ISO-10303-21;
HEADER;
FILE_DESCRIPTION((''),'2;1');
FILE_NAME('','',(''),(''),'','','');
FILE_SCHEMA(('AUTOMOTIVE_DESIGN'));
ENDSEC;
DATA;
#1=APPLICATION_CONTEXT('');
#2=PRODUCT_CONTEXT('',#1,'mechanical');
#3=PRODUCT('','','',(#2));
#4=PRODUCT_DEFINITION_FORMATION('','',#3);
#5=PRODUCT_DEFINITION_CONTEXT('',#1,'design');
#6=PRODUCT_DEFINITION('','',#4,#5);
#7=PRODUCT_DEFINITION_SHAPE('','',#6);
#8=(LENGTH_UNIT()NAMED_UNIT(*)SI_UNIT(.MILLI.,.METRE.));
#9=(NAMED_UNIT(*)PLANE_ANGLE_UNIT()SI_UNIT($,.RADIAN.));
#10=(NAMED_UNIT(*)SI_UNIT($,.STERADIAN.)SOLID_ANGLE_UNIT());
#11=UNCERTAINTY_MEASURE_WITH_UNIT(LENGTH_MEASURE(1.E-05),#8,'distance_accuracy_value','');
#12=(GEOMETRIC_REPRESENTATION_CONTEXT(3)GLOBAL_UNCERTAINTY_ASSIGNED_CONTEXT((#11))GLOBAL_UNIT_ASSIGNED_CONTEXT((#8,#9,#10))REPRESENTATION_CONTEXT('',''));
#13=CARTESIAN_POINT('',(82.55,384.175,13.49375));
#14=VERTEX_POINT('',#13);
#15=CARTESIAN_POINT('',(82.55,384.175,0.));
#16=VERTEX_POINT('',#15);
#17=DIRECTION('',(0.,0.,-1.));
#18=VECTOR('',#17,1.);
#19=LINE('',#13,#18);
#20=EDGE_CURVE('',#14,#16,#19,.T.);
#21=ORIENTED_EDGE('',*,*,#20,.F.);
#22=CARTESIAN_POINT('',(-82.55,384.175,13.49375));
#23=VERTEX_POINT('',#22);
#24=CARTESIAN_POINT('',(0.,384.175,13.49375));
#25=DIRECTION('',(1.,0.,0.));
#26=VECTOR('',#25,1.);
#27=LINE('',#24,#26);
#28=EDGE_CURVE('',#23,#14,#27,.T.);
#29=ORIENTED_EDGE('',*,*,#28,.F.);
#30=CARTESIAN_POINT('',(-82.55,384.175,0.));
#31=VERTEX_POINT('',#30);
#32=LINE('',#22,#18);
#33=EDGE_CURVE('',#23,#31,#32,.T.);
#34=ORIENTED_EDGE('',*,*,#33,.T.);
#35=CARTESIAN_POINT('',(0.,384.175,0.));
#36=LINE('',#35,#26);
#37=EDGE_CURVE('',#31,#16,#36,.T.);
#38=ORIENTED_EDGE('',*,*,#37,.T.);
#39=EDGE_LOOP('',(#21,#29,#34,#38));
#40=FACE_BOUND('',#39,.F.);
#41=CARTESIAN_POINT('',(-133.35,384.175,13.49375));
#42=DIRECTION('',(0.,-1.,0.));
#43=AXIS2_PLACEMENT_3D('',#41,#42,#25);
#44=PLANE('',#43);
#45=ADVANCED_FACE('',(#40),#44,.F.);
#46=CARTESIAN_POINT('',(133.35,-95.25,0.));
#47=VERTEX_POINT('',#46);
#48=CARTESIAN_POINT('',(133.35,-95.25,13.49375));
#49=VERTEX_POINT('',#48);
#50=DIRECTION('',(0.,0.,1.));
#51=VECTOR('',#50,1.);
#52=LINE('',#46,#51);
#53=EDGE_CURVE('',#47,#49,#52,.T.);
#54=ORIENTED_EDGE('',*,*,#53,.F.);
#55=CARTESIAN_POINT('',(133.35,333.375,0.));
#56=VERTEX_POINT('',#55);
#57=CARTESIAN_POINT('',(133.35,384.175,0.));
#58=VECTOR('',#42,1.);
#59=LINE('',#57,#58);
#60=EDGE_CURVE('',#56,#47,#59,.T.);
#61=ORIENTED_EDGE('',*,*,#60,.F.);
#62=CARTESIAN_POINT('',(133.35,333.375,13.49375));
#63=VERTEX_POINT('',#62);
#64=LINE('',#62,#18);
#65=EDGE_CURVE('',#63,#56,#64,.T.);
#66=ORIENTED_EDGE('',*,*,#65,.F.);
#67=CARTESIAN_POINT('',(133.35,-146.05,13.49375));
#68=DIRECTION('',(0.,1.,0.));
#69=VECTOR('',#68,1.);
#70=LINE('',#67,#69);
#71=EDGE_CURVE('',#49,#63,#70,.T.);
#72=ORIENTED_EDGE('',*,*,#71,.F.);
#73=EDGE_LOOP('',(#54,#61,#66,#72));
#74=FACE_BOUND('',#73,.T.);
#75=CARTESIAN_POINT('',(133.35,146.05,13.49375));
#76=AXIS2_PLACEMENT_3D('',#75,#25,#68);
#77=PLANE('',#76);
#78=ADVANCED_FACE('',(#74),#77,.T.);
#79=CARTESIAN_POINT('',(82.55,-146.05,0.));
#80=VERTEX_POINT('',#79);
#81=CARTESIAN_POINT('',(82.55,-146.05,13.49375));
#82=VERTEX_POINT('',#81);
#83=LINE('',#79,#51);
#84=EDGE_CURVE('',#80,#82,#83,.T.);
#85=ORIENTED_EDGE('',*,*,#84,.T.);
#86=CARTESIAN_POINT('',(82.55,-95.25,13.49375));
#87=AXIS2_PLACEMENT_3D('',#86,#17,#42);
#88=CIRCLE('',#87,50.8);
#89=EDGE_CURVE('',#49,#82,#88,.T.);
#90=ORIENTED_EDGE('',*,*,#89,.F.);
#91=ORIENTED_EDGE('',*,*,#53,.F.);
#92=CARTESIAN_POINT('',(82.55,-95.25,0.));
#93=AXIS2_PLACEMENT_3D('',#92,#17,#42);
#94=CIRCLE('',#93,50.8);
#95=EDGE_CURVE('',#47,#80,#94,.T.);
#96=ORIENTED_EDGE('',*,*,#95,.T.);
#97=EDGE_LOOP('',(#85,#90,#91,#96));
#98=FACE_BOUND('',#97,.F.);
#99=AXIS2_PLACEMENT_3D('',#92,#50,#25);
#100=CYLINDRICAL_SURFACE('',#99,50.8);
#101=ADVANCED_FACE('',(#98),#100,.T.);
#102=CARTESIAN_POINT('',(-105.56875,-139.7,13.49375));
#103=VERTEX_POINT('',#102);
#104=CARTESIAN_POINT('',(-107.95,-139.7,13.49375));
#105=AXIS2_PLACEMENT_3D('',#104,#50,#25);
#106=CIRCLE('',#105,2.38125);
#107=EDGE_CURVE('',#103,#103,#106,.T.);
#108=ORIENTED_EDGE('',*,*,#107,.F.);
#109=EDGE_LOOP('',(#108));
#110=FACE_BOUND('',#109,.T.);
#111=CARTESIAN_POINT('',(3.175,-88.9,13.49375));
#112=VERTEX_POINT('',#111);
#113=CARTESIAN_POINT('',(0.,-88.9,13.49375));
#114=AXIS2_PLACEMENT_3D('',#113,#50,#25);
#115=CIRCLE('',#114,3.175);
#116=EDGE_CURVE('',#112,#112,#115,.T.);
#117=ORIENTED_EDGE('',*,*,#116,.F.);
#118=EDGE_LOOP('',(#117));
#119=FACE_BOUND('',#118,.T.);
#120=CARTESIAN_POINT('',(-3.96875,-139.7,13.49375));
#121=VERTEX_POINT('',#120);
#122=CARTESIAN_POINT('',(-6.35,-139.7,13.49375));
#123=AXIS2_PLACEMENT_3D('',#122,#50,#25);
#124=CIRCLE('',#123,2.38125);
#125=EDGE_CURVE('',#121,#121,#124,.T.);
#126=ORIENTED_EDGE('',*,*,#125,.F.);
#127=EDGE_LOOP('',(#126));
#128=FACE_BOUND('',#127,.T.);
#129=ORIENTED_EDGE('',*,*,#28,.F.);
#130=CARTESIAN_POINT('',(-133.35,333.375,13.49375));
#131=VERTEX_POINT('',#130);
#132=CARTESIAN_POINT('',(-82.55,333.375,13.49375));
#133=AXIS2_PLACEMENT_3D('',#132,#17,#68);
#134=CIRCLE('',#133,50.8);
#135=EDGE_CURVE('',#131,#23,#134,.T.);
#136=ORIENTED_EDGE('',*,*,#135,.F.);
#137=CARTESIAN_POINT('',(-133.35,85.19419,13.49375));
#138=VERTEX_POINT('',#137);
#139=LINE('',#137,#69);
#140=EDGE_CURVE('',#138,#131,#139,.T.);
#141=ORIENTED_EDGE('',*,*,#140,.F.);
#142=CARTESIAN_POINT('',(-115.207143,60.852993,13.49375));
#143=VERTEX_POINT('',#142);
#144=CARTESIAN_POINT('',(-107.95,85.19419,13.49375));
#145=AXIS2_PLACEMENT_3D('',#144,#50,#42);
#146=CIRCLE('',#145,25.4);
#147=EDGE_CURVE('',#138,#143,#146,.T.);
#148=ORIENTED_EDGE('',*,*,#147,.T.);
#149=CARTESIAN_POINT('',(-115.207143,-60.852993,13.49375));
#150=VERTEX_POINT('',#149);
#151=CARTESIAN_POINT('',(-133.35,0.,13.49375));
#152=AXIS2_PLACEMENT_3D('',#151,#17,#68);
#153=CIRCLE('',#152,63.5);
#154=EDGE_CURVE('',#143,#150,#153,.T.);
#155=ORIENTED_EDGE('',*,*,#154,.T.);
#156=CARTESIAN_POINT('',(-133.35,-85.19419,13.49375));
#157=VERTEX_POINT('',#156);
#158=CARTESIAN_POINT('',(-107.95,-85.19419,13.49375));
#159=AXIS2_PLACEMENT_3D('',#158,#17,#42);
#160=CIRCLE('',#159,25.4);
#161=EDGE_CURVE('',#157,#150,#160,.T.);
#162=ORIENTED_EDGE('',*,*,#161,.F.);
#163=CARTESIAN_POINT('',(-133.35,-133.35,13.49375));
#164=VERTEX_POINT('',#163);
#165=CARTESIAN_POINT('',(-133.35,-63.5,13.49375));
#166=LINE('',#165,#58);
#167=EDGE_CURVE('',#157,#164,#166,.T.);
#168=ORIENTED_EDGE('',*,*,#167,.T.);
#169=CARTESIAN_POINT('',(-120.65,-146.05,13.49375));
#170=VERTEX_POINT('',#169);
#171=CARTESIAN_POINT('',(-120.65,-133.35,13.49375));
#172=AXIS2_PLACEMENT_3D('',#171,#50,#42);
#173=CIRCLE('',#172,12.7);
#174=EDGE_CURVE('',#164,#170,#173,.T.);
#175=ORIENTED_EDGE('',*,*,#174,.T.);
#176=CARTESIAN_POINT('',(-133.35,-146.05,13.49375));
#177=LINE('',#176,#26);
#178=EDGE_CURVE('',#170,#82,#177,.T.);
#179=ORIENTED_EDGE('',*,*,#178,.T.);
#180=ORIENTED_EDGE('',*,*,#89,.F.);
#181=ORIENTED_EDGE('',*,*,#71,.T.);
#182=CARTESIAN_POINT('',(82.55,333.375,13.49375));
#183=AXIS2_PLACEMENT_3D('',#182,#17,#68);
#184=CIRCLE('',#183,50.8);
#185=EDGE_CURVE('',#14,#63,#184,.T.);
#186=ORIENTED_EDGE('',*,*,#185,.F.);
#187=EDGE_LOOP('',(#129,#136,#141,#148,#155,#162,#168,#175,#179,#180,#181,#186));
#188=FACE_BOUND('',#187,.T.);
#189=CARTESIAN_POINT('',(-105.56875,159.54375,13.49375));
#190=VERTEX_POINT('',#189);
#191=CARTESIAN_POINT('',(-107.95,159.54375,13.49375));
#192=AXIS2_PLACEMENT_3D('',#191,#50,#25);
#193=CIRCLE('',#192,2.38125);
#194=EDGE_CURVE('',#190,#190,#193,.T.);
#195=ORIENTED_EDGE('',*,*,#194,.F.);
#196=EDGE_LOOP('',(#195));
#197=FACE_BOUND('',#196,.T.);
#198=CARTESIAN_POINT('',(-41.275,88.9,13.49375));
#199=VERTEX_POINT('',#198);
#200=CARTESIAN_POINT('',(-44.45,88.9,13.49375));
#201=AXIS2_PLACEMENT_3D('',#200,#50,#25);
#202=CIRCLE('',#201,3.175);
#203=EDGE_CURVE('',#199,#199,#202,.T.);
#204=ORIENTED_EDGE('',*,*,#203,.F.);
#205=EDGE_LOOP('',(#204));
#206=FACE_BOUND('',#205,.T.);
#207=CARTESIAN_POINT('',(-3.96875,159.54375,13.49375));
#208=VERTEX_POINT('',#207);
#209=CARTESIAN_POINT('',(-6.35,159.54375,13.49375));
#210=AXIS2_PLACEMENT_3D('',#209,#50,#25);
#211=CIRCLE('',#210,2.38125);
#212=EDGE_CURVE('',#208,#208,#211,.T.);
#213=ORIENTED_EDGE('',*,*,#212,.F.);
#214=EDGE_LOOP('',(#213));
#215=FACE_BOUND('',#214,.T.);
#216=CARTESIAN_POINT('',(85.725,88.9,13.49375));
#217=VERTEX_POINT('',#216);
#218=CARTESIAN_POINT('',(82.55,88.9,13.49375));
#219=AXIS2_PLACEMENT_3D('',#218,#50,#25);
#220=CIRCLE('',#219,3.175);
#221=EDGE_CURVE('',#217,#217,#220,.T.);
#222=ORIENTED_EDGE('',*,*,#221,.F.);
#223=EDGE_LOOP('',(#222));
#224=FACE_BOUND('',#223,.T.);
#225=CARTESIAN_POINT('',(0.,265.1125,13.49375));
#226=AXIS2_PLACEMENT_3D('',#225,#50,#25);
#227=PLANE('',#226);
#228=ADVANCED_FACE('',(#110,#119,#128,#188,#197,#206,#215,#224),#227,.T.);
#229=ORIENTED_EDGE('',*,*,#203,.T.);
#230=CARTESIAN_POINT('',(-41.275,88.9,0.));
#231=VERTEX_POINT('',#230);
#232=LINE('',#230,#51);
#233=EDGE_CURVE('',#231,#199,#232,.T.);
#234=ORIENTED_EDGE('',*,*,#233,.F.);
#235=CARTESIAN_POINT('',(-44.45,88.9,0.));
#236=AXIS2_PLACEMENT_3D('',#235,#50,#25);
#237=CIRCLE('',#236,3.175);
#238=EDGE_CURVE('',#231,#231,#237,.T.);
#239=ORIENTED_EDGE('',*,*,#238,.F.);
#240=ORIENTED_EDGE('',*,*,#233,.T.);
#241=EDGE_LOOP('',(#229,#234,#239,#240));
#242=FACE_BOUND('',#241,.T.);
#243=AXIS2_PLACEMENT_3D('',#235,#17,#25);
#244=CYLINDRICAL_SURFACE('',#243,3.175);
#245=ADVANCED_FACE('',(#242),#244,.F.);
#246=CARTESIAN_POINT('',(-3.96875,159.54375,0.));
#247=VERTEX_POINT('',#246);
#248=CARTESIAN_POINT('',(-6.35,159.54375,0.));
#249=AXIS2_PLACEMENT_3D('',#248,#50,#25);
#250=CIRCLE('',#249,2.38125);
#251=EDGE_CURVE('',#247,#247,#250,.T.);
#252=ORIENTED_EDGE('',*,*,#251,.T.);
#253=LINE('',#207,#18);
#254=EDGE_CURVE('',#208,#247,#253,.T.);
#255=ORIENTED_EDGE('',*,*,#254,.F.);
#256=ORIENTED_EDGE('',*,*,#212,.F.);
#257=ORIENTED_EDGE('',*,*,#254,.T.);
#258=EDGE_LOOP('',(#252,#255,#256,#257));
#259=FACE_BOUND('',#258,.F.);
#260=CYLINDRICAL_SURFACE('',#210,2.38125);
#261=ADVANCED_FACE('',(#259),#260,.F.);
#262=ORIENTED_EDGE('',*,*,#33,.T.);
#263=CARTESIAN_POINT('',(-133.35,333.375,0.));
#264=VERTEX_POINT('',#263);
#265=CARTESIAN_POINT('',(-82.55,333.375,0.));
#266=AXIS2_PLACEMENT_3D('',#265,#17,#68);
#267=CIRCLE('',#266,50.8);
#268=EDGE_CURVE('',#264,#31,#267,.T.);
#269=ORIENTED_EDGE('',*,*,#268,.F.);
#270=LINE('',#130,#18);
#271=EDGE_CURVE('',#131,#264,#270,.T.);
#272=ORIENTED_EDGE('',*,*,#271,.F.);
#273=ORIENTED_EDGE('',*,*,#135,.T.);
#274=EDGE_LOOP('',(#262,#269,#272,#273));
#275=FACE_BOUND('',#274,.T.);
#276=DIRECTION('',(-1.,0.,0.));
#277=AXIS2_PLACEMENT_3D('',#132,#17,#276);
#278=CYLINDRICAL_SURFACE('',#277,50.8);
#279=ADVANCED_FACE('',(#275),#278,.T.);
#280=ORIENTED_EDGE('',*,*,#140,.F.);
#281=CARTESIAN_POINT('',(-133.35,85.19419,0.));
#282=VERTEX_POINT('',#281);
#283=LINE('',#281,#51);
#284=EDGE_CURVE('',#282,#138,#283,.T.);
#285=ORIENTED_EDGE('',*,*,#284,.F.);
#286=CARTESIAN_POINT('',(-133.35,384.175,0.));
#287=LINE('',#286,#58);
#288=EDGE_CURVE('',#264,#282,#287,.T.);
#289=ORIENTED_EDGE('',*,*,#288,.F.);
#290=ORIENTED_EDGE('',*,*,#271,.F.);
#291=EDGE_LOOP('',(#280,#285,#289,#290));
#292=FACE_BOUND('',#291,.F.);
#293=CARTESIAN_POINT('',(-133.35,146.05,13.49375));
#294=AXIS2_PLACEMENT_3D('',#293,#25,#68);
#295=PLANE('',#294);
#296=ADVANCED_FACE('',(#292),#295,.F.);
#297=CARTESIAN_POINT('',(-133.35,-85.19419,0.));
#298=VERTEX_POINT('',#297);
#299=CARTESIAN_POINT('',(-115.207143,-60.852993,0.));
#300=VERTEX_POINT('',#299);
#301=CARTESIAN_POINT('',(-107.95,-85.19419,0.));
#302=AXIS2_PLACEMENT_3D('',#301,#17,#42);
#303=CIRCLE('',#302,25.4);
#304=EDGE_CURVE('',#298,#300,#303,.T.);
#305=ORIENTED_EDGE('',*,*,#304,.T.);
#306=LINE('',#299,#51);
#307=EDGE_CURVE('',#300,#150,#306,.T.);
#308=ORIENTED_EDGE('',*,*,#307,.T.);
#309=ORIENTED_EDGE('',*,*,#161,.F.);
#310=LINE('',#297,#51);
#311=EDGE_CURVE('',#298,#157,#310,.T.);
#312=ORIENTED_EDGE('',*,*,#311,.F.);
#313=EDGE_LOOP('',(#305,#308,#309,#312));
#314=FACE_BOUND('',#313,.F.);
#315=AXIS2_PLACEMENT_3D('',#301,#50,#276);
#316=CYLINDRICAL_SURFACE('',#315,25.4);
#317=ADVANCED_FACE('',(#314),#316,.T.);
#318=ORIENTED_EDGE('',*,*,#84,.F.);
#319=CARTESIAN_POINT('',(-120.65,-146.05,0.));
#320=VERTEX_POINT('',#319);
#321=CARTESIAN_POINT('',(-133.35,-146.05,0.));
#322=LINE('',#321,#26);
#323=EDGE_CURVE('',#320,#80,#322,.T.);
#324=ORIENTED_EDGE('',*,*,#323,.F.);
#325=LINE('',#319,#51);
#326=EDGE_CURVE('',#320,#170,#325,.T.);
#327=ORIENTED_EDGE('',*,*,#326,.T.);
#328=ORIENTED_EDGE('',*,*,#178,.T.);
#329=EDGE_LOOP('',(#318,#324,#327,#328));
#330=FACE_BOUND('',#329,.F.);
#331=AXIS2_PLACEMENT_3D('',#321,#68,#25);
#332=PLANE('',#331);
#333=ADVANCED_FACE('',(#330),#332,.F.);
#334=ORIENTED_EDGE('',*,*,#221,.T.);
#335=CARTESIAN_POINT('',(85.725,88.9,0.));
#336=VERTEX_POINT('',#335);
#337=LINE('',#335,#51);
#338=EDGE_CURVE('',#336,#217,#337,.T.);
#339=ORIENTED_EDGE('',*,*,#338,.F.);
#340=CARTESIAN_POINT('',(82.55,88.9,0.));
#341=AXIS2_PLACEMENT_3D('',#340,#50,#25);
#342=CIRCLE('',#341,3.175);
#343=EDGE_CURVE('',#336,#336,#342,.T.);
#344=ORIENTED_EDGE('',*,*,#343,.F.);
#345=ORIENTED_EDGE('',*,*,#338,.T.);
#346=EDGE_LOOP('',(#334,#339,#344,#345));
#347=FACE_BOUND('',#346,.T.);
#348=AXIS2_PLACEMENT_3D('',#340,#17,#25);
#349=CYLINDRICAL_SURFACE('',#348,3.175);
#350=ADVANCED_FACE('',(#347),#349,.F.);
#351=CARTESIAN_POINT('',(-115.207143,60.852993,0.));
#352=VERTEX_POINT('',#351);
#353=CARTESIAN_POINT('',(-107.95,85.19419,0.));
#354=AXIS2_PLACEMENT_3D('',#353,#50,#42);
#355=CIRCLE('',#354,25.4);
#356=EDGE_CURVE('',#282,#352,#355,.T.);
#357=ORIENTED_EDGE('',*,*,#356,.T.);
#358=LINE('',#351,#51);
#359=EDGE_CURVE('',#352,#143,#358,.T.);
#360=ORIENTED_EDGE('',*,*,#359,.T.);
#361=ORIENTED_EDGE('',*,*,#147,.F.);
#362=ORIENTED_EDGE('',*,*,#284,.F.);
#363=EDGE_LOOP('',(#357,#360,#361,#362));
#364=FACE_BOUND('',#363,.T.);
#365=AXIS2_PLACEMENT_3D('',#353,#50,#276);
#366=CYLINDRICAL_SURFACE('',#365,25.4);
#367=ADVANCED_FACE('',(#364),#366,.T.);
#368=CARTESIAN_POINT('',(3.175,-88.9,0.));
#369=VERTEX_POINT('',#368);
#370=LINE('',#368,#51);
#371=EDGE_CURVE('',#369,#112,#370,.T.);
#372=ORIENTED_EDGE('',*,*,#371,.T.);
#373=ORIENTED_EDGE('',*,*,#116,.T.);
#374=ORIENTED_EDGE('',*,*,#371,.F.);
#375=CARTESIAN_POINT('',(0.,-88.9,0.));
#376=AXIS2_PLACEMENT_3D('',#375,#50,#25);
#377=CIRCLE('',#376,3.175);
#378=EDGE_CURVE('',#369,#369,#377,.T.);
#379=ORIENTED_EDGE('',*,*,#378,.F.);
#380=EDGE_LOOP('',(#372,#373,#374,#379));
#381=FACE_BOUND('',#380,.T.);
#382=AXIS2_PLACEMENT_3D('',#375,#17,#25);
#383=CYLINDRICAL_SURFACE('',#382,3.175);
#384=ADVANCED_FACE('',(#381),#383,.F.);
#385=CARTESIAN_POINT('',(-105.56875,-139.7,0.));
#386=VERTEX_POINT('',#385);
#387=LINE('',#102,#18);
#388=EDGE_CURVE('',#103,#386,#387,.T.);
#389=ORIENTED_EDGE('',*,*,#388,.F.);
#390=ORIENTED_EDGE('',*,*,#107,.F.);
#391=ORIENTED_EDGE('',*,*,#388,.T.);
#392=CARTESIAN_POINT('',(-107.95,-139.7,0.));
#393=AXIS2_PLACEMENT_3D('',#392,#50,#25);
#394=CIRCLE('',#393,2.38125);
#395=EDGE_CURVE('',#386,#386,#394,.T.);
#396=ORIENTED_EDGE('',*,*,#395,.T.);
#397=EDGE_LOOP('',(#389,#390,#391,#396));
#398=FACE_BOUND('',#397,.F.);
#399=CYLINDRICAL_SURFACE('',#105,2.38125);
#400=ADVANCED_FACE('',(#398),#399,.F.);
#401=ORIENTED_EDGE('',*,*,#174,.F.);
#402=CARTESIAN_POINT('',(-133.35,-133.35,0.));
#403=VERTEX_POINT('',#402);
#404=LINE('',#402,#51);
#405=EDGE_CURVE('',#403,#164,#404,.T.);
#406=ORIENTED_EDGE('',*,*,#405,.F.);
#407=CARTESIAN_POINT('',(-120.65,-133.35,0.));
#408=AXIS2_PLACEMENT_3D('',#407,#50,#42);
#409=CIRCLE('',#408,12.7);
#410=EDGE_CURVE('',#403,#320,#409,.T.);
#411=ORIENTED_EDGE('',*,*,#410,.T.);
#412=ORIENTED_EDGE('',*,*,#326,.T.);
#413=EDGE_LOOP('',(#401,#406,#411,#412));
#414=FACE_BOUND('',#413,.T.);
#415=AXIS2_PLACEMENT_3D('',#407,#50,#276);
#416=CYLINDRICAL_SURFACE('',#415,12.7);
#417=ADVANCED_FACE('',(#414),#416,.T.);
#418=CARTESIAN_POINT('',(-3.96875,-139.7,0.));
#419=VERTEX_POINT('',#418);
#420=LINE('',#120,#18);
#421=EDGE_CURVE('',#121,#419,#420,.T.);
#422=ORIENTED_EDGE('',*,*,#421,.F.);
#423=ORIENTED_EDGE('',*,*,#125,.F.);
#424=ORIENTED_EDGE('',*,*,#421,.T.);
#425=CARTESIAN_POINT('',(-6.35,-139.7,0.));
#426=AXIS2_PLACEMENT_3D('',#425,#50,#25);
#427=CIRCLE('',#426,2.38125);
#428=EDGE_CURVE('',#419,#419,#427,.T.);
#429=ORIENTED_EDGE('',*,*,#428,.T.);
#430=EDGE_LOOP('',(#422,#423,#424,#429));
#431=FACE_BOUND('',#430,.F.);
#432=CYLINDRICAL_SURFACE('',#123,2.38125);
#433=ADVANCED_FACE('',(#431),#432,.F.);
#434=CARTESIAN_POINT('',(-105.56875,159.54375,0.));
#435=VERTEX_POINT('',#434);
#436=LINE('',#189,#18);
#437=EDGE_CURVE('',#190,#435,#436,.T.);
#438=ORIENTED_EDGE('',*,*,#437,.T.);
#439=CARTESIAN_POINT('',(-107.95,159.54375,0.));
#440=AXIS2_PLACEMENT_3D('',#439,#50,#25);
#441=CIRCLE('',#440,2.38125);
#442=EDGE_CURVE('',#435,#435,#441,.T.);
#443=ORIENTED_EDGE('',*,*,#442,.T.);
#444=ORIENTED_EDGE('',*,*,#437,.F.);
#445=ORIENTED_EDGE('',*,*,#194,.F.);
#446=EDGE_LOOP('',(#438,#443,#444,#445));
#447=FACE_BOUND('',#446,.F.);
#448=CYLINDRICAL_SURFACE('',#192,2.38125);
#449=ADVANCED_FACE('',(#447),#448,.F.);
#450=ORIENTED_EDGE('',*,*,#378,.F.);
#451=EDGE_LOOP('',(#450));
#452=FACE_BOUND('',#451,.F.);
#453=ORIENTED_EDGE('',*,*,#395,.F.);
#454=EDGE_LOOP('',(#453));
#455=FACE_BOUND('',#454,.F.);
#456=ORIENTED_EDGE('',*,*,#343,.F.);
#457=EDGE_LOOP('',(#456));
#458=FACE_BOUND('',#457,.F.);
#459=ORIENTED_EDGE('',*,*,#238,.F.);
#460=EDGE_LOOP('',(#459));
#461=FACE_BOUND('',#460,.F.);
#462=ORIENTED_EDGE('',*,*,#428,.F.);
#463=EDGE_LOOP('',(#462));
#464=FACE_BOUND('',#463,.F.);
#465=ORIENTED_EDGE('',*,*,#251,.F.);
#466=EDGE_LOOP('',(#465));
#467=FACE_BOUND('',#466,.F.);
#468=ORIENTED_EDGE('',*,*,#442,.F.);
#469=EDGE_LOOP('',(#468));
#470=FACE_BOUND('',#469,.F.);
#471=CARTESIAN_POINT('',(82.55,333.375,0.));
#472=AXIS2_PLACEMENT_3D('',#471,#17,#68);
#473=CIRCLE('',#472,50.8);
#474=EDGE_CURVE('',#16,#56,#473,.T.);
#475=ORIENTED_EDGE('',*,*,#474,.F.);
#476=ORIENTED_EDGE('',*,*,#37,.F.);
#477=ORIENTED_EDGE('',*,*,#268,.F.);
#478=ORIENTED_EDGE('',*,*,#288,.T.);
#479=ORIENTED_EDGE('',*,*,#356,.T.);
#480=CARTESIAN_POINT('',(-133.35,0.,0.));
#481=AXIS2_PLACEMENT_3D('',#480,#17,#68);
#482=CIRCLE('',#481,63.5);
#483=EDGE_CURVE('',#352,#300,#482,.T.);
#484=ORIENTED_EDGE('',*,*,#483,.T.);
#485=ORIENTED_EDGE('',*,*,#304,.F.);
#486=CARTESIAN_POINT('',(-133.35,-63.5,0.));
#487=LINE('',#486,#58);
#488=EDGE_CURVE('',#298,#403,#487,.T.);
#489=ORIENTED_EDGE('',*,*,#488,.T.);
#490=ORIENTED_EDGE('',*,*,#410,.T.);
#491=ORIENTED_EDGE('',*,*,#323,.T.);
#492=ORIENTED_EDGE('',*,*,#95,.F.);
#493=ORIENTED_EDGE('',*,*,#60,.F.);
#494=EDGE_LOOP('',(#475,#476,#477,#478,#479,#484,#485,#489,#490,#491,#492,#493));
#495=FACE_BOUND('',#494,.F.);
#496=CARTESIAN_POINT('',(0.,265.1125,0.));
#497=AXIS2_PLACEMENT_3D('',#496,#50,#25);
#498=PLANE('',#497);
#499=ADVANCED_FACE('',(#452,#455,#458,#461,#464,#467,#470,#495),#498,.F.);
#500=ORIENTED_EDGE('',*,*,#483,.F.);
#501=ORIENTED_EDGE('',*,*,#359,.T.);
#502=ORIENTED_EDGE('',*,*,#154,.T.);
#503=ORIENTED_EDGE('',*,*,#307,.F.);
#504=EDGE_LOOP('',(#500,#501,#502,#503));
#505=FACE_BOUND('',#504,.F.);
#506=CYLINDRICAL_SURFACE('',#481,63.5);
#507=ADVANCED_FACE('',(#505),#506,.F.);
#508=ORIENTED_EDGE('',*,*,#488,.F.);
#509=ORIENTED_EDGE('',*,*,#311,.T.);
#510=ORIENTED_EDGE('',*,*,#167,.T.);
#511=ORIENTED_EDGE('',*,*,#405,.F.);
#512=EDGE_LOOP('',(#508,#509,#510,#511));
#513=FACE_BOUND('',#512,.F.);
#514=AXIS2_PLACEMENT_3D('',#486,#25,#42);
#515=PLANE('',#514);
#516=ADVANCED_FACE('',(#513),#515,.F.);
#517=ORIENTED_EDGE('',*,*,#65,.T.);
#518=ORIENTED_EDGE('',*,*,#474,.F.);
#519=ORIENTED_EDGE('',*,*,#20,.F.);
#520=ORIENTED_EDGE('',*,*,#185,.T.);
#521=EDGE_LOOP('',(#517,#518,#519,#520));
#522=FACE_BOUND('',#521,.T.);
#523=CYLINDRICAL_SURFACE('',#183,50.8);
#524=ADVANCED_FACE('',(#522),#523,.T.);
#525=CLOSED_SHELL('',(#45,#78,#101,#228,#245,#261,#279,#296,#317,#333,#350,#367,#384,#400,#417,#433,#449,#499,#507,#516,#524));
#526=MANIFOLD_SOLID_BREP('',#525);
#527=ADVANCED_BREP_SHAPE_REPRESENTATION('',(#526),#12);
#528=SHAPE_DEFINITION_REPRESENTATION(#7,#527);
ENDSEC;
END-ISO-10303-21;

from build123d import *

# Parameters (mm, degrees)
F0_R     = 3.175
F1_DEPTH = 13.49375
F2_R     = 25.4
F4_W     = 266.7
F4_H     = 238.125
F5_DEPTH = 13.49375
F3_R     = 2.38125
F6_DEPTH = 13.49475
F7_R     = 50.8
F8_R     = 12.7


with BuildPart() as f1:
    # F0 (on Top) → F1 (new body)
    with BuildSketch(Plane.XY):
        with BuildLine():
            Line((133.35, -146.05), (133.35, 146.05))
            Line((133.35, 146.05), (-133.35, 146.05))
            Line((-133.35, 146.05), (-133.35, 63.5))
            ThreePointArc((-133.35, 63.5), (-69.85, 0), (-133.35, -63.5))
            Line((-133.35, -63.5), (-133.35, -146.05))
            Line((-133.35, -146.05), (133.35, -146.05))
        make_face()
        with Locations((0, -88.9)):
            Circle(F0_R, mode=Mode.SUBTRACT)
        with Locations((-44.45, 88.9)):
            Circle(F0_R, mode=Mode.SUBTRACT)
        with Locations((82.55, 88.9)):
            Circle(F0_R, mode=Mode.SUBTRACT)
    extrude(amount=F1_DEPTH)

    # F2
    f2_edges = [f1.edges().sort_by_distance(p)[0] for p in [
        (-133.35, -63.5, 6.746875),
        (-133.35, 63.5, 6.746875),
    ]]
    fillet(f2_edges, radius=F2_R)

    # F4 (on face) → F5 (join, through all)
    with BuildSketch(Plane.XY.offset(13.49375)):
        with Locations((0, 265.1125)):
            Rectangle(F4_W, F4_H)
    extrude(amount=-F5_DEPTH)

    # F3 (on face) → F6 (cut, through all)
    with BuildSketch(Plane.XY.offset(13.49375)):
        with Locations((-107.95, -139.7)):
            Circle(F3_R)
        with Locations((-6.35, -139.7)):
            Circle(F3_R)
        with Locations((-6.35, 159.54375)):
            Circle(F3_R)
        with Locations((-107.95, 159.54375)):
            Circle(F3_R)
    extrude(amount=-F6_DEPTH, mode=Mode.SUBTRACT)

    # F7
    f7_edges = [f1.edges().sort_by_distance(p)[0] for p in [
        (133.35, -146.05, 6.746875),
        (133.35, 384.175, 6.746875),
        (-133.35, 384.175, 6.746875),
    ]]
    fillet(f7_edges, radius=F7_R)

    # F8
    f8_edges = [f1.edges().sort_by_distance(p)[0] for p in [
        (-133.35, -146.05, 6.746875),
    ]]
    fillet(f8_edges, radius=F8_R)


solid = f1.part
